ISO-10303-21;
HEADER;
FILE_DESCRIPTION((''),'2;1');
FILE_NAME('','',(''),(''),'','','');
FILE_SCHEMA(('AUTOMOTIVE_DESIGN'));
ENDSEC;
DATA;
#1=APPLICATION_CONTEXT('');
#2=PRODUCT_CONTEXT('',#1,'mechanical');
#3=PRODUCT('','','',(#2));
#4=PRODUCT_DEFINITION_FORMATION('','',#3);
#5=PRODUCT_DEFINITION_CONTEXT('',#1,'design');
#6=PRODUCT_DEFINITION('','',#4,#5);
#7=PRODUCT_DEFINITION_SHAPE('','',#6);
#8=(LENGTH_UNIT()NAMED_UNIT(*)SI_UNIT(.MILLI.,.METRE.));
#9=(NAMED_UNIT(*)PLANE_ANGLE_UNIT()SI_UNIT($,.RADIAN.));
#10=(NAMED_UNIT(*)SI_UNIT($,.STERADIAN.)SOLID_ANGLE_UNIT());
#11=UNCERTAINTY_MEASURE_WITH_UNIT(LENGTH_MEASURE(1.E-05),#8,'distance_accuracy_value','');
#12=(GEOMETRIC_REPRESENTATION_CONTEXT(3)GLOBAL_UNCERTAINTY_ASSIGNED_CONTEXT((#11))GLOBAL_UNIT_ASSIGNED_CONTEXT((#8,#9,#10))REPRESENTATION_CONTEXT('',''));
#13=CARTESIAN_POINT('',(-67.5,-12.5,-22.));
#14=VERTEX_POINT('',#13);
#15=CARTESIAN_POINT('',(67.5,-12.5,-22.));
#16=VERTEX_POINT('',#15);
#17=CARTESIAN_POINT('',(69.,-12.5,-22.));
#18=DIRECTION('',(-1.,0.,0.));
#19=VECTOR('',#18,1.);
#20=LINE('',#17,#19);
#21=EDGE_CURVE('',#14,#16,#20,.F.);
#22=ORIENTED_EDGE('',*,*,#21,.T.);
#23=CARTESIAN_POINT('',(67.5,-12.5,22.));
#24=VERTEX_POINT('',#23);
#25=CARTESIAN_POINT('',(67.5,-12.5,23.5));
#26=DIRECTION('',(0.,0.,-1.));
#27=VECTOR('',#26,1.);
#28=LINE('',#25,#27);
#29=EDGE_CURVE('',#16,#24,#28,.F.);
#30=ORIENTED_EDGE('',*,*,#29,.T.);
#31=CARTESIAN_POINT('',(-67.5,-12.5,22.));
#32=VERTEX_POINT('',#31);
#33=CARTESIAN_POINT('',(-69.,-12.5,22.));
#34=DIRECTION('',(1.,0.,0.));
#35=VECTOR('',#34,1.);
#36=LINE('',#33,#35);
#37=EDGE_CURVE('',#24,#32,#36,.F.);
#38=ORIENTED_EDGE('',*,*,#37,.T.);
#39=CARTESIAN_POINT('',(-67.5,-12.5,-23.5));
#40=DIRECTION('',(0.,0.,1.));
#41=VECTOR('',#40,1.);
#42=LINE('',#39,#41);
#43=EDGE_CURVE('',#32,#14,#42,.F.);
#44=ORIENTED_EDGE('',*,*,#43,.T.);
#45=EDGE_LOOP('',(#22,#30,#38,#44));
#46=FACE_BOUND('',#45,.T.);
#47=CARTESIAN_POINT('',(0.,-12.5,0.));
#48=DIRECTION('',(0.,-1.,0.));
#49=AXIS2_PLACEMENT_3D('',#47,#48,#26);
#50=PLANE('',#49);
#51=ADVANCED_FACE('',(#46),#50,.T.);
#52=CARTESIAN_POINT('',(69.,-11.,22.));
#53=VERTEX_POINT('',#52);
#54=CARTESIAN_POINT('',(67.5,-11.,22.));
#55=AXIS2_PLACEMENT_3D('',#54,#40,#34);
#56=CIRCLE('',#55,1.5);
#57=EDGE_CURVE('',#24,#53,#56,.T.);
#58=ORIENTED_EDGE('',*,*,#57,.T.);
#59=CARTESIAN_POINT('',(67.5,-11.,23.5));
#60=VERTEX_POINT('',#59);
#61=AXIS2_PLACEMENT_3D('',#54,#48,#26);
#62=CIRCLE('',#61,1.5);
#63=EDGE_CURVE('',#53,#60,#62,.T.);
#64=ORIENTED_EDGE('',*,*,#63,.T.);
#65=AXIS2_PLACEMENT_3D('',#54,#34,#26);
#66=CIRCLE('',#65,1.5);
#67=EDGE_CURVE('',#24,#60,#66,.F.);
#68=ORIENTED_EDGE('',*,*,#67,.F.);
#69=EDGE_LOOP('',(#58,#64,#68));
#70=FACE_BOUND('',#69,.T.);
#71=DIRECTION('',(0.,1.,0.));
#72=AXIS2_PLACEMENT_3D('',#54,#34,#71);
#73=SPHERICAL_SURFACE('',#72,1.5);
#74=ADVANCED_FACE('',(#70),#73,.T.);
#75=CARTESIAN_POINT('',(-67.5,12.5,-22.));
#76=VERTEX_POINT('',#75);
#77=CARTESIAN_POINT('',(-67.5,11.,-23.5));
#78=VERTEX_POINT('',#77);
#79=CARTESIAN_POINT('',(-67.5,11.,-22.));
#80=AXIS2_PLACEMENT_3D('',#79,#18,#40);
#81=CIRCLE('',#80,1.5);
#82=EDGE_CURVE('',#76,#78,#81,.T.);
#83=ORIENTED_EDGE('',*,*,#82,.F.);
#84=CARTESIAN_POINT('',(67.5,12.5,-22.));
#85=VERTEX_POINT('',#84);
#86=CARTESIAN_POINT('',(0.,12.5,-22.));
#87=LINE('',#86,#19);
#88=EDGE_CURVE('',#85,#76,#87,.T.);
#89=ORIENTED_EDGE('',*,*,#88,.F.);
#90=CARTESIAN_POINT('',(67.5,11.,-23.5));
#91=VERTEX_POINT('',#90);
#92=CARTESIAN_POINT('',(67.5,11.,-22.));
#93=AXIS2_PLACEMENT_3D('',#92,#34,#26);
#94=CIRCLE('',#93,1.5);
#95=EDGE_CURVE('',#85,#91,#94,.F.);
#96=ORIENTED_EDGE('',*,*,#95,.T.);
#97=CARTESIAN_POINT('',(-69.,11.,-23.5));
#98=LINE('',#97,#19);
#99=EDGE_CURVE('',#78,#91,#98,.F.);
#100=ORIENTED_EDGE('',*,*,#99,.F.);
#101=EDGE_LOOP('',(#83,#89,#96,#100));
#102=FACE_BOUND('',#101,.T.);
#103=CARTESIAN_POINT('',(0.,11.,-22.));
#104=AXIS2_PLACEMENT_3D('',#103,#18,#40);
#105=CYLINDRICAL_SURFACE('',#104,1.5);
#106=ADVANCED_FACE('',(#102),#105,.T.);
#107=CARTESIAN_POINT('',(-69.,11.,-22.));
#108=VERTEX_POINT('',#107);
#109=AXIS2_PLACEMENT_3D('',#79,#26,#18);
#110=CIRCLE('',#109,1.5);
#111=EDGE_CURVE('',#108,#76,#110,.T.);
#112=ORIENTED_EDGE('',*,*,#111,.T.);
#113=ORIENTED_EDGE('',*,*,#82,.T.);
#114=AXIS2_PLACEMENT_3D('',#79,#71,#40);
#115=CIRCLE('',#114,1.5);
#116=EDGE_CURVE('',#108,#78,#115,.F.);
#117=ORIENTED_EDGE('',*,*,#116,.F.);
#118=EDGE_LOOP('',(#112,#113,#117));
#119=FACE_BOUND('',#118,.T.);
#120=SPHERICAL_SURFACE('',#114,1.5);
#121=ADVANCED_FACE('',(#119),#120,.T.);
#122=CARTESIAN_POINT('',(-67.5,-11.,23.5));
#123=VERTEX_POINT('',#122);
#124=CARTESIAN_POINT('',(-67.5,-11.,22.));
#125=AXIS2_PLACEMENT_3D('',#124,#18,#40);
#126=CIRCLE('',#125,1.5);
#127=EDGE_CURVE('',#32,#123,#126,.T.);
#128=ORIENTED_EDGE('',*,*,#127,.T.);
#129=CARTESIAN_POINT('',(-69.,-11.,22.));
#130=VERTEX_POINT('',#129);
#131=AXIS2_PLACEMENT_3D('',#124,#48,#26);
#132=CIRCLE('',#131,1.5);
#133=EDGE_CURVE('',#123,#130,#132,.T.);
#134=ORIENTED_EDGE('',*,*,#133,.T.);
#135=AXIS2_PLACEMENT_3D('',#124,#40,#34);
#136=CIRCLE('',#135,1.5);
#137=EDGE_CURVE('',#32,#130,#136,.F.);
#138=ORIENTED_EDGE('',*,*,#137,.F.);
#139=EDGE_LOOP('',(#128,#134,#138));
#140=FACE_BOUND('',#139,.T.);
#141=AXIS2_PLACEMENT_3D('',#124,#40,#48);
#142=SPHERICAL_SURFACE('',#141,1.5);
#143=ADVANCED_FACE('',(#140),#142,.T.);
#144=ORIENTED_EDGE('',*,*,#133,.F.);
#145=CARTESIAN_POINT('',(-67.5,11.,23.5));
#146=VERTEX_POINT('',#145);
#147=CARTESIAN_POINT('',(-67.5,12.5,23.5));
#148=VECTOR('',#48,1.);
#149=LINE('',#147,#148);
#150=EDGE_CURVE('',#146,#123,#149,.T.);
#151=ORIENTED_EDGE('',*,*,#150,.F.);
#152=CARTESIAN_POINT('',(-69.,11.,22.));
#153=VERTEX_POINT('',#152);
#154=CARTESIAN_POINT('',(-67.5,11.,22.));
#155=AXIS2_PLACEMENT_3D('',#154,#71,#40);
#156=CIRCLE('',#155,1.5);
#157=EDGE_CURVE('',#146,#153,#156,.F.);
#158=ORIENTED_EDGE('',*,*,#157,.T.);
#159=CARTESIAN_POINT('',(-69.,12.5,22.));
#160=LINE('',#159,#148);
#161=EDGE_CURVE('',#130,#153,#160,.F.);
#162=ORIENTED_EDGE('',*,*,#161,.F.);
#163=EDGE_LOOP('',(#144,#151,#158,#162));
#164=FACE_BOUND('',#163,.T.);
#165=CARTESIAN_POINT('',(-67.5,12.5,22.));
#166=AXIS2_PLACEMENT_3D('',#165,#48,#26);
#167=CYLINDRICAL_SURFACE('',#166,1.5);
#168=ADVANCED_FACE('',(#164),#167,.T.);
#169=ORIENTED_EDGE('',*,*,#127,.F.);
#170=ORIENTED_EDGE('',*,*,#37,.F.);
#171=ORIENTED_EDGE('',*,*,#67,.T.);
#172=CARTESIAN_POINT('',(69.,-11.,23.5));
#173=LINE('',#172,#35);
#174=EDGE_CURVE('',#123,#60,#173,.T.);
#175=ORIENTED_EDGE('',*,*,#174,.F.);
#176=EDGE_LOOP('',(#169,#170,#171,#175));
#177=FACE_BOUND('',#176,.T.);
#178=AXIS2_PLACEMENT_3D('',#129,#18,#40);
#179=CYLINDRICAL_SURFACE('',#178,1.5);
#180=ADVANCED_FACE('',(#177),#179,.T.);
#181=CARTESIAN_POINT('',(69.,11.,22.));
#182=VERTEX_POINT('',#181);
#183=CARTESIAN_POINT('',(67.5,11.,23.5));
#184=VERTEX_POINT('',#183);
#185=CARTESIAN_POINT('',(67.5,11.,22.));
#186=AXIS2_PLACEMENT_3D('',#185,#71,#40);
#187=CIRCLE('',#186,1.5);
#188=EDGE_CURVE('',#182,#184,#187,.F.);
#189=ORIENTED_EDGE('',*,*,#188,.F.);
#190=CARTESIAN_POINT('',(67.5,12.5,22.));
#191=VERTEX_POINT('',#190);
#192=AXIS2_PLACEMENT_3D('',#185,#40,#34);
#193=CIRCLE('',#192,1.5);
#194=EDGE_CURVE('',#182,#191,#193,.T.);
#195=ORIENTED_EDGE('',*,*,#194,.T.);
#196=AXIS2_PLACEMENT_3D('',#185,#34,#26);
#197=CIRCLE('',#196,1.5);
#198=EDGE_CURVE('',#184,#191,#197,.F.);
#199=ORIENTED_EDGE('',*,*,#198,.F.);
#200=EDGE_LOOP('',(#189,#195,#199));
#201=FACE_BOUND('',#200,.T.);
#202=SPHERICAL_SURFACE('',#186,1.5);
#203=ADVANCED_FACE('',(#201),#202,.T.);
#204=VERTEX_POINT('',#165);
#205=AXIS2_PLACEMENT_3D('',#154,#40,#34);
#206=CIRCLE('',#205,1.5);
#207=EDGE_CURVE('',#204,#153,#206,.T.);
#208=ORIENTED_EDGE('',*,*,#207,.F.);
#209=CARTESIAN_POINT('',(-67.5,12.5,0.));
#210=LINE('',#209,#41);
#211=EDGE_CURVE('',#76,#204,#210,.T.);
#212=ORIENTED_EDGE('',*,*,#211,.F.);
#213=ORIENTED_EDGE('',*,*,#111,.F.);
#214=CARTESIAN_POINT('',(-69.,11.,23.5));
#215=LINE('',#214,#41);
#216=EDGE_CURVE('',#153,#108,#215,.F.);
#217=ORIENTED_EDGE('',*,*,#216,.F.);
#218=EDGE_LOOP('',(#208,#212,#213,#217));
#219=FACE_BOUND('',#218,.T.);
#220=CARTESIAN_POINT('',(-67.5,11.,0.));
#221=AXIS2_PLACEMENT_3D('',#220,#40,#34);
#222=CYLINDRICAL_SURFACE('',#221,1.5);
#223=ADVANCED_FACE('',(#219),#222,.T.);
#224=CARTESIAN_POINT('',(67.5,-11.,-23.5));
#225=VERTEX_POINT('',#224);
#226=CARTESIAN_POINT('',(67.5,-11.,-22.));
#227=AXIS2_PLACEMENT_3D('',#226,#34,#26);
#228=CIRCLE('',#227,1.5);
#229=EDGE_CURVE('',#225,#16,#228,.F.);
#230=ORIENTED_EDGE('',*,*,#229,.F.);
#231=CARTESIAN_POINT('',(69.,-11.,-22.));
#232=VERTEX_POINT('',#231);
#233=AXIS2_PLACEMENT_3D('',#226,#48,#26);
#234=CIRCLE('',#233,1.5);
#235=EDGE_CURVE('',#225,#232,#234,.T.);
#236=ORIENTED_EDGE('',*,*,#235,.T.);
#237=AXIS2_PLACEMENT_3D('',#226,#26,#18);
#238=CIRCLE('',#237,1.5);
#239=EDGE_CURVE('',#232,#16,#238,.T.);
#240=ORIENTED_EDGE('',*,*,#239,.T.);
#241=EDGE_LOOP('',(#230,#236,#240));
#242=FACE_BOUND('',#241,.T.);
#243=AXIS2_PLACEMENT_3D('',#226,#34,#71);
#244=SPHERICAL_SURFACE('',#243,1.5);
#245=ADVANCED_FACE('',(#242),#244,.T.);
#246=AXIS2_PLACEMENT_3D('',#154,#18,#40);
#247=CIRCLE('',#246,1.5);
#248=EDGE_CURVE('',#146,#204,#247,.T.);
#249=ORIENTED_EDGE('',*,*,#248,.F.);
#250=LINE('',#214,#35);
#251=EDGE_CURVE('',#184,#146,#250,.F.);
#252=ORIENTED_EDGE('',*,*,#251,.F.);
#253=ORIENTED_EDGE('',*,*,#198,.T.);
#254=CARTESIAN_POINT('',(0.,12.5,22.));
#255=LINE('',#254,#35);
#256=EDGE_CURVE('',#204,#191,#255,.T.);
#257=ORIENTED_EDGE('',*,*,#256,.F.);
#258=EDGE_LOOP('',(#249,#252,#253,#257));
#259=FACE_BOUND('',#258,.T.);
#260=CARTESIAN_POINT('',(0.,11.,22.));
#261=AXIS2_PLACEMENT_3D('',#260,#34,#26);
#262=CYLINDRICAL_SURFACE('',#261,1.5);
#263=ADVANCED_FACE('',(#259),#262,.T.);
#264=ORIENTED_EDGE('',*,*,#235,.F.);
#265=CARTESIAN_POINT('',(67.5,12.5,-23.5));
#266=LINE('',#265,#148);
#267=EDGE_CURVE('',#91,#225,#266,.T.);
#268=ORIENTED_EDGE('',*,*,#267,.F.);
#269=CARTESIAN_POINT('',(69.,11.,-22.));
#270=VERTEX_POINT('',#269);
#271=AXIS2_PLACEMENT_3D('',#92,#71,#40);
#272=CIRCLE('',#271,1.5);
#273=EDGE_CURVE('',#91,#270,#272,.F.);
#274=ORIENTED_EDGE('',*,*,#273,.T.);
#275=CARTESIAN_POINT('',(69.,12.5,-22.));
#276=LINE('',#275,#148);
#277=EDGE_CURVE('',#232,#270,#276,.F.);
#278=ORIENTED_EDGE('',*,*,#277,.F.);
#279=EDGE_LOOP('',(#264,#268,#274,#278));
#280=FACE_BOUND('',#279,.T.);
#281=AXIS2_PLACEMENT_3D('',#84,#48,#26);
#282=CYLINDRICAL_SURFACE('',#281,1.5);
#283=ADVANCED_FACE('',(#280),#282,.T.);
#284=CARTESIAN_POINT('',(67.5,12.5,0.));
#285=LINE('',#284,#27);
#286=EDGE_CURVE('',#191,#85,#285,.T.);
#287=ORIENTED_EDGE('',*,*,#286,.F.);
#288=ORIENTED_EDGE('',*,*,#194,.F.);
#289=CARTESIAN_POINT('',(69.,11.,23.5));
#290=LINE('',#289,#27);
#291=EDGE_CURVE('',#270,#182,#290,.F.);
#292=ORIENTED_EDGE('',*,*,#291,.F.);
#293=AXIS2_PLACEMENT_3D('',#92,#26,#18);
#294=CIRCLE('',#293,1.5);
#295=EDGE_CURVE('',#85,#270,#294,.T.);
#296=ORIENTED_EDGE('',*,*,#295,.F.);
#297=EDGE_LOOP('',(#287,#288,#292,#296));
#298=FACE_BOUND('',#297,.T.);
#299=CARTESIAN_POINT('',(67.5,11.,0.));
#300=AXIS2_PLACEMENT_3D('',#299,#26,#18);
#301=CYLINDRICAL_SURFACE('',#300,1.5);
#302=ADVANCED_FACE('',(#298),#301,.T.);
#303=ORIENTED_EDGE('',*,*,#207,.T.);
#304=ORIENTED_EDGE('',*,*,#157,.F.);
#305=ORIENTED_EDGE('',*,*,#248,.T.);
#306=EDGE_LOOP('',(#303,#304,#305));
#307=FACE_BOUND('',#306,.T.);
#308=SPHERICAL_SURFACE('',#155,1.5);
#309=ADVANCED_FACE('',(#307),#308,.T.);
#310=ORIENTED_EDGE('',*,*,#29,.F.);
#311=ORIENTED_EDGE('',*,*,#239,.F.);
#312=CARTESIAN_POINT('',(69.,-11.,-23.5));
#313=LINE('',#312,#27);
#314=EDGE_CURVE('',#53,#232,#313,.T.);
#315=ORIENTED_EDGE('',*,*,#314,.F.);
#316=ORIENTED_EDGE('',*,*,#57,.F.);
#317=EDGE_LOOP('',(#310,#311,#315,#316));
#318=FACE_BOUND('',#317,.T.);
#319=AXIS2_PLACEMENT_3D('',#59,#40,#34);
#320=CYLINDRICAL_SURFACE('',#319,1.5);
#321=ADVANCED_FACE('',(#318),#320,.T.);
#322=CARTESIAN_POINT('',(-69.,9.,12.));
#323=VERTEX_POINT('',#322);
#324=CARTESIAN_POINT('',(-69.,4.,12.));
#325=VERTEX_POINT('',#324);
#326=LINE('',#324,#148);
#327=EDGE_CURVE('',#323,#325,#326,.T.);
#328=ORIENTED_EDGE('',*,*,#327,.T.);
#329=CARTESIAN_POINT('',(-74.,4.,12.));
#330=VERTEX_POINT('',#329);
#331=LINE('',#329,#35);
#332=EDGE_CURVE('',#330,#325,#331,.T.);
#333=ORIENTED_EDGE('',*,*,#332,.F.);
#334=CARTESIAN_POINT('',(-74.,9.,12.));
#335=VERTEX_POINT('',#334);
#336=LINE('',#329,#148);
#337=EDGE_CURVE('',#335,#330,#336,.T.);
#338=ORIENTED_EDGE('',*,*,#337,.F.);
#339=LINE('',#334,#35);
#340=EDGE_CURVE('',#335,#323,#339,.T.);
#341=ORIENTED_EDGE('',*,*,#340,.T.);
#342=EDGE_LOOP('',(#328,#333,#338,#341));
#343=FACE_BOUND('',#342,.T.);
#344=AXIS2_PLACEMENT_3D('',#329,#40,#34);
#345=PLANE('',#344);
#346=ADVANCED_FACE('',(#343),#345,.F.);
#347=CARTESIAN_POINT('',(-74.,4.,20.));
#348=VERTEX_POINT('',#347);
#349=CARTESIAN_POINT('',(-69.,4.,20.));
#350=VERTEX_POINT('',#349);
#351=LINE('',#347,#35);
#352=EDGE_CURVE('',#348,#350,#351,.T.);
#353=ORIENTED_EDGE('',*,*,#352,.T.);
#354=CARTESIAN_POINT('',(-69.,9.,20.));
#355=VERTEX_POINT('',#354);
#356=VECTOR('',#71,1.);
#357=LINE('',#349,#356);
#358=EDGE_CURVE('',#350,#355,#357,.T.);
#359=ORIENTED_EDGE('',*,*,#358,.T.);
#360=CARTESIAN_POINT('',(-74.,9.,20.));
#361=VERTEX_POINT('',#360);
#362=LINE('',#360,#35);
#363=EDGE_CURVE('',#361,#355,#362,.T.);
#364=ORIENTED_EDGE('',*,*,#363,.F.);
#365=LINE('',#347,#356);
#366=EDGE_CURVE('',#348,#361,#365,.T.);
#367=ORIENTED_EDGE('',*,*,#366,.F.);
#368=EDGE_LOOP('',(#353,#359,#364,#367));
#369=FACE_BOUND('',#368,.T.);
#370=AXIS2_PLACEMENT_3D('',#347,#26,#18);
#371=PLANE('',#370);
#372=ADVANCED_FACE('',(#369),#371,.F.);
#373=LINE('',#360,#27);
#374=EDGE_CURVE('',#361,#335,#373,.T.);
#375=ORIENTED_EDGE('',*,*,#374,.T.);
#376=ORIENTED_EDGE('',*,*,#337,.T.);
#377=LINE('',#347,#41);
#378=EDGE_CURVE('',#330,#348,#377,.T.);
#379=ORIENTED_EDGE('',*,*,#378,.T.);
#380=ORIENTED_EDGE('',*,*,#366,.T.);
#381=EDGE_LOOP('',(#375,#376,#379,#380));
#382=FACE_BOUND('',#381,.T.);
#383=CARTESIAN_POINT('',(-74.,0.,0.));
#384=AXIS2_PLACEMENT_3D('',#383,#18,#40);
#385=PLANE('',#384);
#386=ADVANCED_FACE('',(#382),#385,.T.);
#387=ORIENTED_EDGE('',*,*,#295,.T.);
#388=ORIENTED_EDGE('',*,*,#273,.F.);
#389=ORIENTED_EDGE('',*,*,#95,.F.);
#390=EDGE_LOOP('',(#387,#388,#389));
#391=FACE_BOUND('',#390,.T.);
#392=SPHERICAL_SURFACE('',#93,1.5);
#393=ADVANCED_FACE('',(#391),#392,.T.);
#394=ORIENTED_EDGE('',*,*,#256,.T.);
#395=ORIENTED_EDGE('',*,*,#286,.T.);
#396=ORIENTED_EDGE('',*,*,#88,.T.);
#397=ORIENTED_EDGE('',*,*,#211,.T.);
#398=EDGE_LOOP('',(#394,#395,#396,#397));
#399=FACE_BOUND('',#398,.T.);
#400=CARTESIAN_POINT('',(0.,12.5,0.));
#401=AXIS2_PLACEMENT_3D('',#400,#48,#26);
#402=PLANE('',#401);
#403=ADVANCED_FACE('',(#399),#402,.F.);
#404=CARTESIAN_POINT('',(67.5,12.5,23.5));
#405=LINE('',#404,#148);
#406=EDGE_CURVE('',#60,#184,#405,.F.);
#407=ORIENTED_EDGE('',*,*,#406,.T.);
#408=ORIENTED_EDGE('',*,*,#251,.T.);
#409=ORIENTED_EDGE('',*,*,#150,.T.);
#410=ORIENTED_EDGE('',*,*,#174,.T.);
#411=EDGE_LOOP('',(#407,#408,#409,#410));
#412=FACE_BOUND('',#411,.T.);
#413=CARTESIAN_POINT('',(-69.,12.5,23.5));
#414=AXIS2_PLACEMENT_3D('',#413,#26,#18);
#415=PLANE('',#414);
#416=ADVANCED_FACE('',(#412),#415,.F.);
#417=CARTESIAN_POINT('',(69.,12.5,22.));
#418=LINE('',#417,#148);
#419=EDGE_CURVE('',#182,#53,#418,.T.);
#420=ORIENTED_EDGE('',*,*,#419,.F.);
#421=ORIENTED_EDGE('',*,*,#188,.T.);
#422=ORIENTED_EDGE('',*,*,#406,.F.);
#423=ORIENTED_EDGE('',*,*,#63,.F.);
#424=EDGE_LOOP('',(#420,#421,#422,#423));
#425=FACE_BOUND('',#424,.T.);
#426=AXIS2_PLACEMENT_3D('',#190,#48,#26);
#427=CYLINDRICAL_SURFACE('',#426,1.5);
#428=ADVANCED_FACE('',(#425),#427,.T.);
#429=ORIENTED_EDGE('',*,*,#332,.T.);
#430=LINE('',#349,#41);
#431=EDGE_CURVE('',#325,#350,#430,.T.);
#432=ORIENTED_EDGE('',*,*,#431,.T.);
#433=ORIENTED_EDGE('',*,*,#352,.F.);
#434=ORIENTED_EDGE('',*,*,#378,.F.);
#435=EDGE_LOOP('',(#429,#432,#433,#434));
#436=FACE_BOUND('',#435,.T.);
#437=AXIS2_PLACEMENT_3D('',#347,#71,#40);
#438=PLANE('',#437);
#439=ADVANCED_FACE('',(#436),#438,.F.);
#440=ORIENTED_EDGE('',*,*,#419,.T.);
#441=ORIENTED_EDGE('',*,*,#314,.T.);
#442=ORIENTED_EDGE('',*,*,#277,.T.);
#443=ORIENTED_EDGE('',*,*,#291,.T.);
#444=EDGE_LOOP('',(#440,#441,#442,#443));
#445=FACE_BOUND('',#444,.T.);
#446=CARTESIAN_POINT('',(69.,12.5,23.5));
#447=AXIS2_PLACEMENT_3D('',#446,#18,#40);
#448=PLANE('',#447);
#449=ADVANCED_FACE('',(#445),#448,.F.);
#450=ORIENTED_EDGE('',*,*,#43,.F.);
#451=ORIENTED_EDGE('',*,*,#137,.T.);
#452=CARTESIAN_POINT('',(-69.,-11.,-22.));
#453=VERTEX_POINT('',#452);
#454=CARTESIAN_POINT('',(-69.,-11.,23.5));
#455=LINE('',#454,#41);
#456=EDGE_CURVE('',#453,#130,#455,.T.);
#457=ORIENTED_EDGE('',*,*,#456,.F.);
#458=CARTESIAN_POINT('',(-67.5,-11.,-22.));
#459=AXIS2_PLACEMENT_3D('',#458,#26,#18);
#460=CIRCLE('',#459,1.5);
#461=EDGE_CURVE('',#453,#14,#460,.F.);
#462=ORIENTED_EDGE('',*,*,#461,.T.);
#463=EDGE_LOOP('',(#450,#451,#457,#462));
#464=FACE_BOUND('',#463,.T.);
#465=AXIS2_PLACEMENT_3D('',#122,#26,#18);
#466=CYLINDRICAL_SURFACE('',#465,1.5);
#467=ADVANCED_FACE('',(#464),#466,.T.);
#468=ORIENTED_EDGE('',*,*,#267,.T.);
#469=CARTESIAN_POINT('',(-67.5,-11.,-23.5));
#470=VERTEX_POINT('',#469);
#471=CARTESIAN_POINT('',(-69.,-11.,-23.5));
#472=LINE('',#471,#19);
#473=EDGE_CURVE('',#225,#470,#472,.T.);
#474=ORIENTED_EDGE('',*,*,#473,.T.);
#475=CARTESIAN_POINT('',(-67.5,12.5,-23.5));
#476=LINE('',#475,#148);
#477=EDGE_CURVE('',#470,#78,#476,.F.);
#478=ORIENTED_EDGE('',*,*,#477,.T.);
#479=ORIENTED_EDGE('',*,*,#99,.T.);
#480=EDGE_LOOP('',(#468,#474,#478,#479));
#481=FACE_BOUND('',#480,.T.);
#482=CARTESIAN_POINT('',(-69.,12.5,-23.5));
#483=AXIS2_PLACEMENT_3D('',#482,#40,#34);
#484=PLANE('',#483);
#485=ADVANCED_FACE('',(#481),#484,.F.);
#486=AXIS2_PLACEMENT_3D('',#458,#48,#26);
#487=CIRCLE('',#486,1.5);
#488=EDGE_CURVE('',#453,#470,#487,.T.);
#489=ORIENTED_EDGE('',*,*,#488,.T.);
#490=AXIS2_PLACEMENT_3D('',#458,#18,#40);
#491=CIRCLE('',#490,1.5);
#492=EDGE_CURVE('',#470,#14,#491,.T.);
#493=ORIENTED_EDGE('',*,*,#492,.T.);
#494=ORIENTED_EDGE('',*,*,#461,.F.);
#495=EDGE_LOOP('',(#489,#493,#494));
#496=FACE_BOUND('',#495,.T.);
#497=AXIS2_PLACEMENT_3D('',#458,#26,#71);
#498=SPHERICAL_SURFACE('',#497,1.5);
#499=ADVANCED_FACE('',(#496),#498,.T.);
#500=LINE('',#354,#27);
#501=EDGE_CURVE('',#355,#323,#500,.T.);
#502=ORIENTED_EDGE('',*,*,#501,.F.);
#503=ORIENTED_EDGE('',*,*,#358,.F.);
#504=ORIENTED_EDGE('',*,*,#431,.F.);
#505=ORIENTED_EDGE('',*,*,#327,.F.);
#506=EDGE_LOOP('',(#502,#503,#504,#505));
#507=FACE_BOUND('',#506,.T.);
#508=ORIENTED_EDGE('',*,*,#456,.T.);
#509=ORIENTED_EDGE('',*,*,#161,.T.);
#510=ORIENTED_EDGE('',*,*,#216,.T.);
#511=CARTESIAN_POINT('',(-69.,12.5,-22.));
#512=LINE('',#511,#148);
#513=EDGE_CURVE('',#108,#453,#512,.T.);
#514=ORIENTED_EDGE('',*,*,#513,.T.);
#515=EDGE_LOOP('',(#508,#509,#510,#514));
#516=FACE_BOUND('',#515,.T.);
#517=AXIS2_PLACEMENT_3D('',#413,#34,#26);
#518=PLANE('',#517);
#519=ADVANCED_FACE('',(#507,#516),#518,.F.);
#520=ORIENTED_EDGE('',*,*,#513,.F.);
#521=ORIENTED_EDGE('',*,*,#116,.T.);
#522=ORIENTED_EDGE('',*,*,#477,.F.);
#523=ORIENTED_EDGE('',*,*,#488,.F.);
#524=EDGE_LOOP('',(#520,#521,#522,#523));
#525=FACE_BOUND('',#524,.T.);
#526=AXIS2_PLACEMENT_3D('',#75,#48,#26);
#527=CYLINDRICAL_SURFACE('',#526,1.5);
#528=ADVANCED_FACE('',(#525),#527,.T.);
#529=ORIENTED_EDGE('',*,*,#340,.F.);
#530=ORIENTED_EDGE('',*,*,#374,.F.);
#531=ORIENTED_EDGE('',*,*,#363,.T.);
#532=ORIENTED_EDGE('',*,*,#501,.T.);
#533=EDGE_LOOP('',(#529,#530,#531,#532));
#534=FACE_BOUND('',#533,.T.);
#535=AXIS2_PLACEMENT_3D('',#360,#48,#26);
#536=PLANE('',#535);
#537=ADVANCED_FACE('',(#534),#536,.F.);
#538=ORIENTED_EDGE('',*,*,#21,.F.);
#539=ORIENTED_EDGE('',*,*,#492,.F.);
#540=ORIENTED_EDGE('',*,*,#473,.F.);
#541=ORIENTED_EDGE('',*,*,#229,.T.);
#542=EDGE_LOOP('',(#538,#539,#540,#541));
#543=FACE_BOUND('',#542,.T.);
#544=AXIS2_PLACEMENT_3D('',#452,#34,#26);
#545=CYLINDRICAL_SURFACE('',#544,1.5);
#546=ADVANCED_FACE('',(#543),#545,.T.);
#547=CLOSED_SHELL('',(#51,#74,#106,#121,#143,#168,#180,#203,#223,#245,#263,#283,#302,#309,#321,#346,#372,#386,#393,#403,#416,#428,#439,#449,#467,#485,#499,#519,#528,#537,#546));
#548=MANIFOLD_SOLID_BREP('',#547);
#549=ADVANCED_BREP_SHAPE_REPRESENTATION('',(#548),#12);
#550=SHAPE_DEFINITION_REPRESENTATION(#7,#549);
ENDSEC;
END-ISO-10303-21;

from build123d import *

# Parameters (mm, degrees)
SKETCH1_W           = 138
SKETCH1_H           = 47
BOSS_EXTRUDE1_DEPTH = 12.5
FILLET1_R           = 1.5
SKETCH2_W           = 8
SKETCH2_H           = 5
BOSS_EXTRUDE2_DEPTH = 5


with BuildPart() as part:
    # Sketch1 → Boss-Extrude1 (new, symmetric)
    with BuildSketch(Plane(origin=(0, 0, 0), x_dir=(1, 0, 0), z_dir=(0, 1, 0))):
        Rectangle(SKETCH1_W, SKETCH1_H)
    extrude(amount=BOSS_EXTRUDE1_DEPTH, both=True)

    # Fillet1
    fillet1_edges = [part.edges().sort_by_distance(p)[0] for p in [
        (-69, 12.5, 0),
        (0, 12.5, 23.5),
        (69, 12.5, 0),
        (0, -12.5, 23.5),
        (-69, -12.5, 0),
        (0, -12.5, -23.5),
        (69, -12.5, 0),
        (69, 0, 23.5),
        (-69, 0, 23.5),
        (-69, 0, -23.5),
        (69, 0, -23.5),
        (0, 12.5, -23.5),
    ]]
    fillet(fillet1_edges, radius=FILLET1_R)

    # Sketch2 → Boss-Extrude2 (add)
    with BuildSketch(Plane.ZY.offset(69)):
        with Locations((16, 6.5)):
            Rectangle(SKETCH2_W, SKETCH2_H)
    extrude(amount=BOSS_EXTRUDE2_DEPTH)


solid = part.part
